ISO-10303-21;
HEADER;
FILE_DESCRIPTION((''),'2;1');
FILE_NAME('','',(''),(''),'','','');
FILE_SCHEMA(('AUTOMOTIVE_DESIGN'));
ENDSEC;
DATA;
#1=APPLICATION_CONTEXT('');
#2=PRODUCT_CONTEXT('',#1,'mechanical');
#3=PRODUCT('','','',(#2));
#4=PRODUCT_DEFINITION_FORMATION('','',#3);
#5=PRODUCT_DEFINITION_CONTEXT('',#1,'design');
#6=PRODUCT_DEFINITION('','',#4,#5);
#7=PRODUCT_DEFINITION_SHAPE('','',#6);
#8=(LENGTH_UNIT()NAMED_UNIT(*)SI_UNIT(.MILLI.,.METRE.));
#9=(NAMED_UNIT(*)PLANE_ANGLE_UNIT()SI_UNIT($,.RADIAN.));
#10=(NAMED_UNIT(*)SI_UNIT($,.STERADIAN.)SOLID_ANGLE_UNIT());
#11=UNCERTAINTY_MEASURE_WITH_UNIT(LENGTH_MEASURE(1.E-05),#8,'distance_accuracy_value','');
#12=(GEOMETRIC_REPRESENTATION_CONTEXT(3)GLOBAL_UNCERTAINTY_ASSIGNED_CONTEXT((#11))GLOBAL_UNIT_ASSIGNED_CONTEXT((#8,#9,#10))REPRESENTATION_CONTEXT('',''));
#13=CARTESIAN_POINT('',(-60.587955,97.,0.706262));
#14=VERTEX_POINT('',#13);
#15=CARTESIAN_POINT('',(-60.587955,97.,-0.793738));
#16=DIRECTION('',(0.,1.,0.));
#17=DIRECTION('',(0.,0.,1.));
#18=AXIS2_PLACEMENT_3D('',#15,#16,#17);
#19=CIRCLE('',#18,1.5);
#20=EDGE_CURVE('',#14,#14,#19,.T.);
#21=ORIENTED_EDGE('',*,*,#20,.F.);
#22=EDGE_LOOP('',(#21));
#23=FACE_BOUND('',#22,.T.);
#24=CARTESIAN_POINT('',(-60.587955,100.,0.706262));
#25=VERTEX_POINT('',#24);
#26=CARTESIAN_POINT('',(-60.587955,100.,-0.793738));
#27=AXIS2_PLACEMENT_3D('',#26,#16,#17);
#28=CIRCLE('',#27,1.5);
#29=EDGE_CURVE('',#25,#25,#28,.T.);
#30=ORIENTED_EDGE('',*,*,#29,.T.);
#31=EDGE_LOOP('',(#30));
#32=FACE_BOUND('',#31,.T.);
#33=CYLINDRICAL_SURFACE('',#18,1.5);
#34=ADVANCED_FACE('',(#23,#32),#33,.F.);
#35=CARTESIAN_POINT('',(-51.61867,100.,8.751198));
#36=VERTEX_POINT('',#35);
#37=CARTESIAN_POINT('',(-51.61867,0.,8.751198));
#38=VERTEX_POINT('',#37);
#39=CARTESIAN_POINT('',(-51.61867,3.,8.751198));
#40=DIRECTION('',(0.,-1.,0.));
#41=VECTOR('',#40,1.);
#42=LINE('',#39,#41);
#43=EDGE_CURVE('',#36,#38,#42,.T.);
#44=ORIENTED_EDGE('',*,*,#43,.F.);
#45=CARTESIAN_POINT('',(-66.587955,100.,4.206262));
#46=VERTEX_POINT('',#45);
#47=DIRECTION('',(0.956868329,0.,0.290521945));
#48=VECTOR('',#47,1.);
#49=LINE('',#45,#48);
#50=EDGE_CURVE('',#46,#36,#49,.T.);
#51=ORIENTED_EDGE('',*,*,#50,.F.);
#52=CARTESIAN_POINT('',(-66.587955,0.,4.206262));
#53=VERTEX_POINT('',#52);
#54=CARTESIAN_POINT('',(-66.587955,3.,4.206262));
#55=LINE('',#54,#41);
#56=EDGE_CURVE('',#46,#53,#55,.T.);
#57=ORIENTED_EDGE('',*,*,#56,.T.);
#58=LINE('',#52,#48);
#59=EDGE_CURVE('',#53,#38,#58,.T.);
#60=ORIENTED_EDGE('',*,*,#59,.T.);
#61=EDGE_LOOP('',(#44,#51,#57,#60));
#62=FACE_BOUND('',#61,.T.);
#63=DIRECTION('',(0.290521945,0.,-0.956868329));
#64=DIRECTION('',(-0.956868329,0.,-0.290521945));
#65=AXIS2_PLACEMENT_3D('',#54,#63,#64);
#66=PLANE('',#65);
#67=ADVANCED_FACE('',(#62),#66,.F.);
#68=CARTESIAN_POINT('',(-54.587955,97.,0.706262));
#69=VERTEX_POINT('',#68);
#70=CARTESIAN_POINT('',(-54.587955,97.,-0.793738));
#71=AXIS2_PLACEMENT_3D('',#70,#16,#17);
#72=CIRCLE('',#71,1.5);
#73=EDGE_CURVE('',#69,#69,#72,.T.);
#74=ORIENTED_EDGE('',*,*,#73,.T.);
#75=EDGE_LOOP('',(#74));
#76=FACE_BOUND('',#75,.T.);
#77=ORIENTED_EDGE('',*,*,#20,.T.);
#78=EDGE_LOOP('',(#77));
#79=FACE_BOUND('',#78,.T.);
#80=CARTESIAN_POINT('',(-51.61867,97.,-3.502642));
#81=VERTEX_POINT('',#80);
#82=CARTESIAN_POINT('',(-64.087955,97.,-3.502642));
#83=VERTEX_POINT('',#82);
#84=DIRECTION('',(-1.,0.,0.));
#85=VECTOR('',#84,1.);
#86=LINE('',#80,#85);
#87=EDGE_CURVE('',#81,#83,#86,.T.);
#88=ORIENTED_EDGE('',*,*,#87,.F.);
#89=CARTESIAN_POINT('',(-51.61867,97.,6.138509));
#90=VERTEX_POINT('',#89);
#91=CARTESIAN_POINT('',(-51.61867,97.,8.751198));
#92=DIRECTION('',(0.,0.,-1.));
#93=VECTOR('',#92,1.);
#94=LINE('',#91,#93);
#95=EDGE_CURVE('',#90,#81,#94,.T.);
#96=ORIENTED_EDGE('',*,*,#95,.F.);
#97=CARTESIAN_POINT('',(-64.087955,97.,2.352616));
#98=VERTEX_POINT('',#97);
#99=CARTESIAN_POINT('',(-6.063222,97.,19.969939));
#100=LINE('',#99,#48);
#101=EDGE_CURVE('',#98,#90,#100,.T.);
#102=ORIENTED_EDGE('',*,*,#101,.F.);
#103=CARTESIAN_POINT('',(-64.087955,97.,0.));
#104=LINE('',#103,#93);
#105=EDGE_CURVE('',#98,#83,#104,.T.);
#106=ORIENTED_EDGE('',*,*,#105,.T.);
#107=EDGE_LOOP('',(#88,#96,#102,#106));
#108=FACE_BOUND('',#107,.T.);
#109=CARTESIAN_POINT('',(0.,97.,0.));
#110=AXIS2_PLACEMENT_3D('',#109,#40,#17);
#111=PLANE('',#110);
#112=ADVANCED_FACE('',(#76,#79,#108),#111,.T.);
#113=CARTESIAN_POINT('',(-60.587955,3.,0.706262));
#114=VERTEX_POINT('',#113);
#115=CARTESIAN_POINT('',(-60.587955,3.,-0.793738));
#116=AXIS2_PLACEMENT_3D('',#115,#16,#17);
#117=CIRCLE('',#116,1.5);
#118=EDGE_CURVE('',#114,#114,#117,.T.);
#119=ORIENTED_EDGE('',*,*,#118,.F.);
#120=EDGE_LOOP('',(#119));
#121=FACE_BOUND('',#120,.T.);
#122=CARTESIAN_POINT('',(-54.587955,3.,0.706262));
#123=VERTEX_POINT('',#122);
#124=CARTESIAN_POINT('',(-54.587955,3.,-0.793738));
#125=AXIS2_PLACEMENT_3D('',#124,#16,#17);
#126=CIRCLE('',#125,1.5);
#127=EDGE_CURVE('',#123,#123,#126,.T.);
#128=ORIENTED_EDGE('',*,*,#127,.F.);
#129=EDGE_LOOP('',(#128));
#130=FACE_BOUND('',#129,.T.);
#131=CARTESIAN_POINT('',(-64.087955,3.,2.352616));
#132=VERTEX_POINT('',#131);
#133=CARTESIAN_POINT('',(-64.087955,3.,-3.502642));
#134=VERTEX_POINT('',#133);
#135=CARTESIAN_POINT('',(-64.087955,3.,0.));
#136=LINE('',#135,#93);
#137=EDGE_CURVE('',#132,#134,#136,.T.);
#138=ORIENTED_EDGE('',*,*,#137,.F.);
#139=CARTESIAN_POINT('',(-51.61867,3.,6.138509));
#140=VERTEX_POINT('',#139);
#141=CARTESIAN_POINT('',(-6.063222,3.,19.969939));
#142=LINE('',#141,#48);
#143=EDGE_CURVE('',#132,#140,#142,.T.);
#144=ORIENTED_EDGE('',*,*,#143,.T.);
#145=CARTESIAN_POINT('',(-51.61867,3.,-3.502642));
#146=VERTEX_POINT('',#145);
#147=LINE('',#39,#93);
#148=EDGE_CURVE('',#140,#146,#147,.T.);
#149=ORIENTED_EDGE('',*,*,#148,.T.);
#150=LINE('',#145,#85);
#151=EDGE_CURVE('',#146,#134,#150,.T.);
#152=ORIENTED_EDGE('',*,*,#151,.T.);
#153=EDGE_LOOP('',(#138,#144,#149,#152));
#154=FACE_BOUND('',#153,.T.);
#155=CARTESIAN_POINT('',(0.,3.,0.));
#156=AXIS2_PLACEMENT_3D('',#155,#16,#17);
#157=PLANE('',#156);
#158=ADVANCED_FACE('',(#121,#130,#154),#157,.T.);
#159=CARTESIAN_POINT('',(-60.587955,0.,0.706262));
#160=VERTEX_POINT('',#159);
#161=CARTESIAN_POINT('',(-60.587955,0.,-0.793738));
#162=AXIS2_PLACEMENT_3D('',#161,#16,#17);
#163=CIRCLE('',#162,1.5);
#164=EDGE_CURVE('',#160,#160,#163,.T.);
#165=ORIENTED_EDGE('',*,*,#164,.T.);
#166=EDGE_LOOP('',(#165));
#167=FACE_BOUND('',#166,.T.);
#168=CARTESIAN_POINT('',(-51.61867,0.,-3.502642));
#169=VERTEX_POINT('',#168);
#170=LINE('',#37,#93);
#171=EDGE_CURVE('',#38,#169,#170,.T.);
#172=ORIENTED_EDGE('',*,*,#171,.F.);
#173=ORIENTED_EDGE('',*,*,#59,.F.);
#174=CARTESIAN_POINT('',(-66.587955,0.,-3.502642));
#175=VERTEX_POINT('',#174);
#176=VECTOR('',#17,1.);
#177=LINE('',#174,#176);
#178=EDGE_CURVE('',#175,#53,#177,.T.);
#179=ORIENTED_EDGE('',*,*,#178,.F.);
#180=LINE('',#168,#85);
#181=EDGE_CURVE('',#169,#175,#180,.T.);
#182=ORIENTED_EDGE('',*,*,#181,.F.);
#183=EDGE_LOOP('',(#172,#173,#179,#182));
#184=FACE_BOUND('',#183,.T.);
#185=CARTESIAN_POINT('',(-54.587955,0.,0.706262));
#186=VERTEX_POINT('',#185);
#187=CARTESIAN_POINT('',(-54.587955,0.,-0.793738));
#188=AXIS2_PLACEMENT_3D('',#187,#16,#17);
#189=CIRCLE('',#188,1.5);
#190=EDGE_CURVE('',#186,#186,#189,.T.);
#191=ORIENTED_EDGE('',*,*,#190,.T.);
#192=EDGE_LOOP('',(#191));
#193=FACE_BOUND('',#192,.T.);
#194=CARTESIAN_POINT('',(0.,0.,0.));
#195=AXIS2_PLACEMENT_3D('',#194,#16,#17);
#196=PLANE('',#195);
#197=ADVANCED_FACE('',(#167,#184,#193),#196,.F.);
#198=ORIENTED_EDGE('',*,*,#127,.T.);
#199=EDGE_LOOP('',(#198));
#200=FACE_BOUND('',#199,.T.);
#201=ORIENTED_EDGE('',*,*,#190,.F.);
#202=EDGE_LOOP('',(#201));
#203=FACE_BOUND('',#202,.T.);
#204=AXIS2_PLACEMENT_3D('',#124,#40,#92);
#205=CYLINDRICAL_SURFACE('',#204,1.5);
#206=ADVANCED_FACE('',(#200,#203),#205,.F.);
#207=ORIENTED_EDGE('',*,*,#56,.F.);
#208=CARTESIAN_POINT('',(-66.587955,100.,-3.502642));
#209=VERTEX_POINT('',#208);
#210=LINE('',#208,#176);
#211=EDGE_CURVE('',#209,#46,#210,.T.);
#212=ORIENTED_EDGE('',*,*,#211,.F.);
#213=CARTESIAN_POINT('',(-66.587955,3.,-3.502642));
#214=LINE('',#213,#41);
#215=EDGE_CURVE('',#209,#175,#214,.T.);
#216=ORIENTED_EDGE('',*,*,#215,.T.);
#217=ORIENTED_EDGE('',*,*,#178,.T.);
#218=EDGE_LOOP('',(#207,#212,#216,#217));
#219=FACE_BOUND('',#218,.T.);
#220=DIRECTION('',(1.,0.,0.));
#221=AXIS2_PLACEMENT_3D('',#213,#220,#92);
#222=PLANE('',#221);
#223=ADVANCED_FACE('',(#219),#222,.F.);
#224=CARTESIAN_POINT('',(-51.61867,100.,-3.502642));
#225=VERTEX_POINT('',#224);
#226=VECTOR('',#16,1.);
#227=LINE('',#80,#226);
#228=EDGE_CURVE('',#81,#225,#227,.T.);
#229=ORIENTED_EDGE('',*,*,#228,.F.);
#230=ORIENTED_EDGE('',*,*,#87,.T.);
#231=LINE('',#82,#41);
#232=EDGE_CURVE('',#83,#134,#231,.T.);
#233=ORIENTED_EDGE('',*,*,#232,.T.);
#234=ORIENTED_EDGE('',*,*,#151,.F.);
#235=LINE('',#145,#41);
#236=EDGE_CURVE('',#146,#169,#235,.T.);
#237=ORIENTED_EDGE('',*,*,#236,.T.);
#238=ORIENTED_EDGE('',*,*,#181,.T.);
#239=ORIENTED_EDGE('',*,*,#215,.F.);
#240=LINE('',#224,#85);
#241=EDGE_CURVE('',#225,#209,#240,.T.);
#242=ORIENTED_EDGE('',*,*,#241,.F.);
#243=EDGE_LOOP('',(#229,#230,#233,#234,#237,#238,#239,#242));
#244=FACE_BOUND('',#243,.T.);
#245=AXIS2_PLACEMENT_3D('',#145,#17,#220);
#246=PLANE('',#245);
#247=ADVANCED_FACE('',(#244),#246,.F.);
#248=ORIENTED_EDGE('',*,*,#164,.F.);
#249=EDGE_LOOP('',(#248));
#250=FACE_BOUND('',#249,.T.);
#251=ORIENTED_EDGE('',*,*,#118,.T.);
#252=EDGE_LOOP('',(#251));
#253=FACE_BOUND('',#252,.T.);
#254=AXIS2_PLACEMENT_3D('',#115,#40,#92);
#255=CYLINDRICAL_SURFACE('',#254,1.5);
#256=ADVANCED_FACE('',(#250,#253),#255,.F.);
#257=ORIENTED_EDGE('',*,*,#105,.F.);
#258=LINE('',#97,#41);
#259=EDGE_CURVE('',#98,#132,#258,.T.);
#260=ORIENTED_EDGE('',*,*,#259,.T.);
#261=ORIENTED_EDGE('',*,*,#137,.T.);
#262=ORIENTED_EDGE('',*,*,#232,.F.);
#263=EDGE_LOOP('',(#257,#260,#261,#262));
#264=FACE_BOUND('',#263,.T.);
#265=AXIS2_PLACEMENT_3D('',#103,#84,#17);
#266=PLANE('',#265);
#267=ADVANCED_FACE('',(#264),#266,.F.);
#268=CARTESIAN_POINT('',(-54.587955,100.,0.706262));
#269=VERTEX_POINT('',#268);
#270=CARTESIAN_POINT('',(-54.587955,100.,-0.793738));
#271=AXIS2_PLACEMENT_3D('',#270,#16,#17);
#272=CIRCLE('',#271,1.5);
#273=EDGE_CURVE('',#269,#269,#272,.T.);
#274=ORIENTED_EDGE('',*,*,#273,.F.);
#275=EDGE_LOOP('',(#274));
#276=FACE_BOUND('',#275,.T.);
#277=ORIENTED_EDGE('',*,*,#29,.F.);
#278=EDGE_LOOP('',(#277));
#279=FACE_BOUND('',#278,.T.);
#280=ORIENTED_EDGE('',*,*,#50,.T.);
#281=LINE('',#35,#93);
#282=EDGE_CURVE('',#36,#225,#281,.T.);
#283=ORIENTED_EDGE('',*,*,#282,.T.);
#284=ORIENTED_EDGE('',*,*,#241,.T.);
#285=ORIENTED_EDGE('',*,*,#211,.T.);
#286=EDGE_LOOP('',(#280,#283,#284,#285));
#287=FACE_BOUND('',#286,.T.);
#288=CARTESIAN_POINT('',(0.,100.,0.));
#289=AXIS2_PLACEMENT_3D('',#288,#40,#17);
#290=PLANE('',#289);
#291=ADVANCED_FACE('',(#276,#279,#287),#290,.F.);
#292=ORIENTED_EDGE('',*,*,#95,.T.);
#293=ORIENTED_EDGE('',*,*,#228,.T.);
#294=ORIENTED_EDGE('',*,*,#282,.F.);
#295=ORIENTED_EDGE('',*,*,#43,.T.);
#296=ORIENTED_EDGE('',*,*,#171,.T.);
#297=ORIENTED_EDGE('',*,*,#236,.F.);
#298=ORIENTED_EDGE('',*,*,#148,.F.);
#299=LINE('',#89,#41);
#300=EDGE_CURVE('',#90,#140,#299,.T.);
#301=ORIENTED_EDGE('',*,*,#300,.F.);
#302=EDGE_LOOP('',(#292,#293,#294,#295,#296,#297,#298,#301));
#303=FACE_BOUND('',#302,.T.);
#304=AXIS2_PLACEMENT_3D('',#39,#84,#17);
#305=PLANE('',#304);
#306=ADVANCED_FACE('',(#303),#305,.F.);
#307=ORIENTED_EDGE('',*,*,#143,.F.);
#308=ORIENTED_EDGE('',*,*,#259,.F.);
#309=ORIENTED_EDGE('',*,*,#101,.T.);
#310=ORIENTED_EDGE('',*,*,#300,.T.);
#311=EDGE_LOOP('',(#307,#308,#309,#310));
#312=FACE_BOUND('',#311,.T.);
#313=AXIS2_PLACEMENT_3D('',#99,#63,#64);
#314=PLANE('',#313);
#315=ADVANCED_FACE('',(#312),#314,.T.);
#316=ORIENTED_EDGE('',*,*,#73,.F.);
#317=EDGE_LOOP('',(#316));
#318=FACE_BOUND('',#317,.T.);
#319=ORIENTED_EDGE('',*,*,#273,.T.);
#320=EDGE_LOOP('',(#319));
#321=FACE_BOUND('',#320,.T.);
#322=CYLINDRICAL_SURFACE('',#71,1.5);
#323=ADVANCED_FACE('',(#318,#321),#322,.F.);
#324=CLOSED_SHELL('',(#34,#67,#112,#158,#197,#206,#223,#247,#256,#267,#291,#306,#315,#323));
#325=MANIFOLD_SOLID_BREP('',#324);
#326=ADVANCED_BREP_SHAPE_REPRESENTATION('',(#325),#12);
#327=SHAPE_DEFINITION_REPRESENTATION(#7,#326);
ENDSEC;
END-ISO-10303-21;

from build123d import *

# Parameters (mm, degrees)
SKETCH1_R           = 1.5
BOSS_EXTRUDE1_DEPTH = 3
BOSS_EXTRUDE2_DEPTH = 94


with BuildPart() as part:
    # Sketch1 → Boss-Extrude1 (new body)
    with BuildSketch(Plane(origin=(0, 0, 0), x_dir=(1, 0, 0), z_dir=(0, 1, 0))):
        Polygon((-51.61867002, -8.75119844), (-51.61867002, 3.502641742), (-66.587954735, 3.502641742), (-66.587954735, -4.206262026), align=None)
        with Locations((-54.587954735, 0.793737974)):
            Circle(SKETCH1_R, mode=Mode.SUBTRACT)
        with Locations((-60.587954735, 0.793737974)):
            Circle(SKETCH1_R, mode=Mode.SUBTRACT)
    boss_extrude1 = extrude(amount=BOSS_EXTRUDE1_DEPTH)

    # Sketch2 → Boss-Extrude2 (add)
    with BuildSketch(Plane(origin=(0, 3, 0), x_dir=(1, 0, 0), z_dir=(0, 1, 0))):
        Polygon((-64.087954735, 3.502641742), (-66.587954735, 3.502641742), (-66.587954735, -4.206262026), (-63.361180244, -5.185967146), (-61.932848842, -5.619633518), (-51.61867002, -8.75119844), (-51.61867002, -6.138508769), (-61.92070968, -3.010629509), (-64.087954735, -2.35261604), align=None)
    extrude(amount=BOSS_EXTRUDE2_DEPTH)

    # Mirror1: Boss-Extrude1 across plane
    add(boss_extrude1.mirror(Plane(origin=(0, 50, 0), x_dir=(0, 0, 1), z_dir=(0, -1, 0))))


solid = part.part
